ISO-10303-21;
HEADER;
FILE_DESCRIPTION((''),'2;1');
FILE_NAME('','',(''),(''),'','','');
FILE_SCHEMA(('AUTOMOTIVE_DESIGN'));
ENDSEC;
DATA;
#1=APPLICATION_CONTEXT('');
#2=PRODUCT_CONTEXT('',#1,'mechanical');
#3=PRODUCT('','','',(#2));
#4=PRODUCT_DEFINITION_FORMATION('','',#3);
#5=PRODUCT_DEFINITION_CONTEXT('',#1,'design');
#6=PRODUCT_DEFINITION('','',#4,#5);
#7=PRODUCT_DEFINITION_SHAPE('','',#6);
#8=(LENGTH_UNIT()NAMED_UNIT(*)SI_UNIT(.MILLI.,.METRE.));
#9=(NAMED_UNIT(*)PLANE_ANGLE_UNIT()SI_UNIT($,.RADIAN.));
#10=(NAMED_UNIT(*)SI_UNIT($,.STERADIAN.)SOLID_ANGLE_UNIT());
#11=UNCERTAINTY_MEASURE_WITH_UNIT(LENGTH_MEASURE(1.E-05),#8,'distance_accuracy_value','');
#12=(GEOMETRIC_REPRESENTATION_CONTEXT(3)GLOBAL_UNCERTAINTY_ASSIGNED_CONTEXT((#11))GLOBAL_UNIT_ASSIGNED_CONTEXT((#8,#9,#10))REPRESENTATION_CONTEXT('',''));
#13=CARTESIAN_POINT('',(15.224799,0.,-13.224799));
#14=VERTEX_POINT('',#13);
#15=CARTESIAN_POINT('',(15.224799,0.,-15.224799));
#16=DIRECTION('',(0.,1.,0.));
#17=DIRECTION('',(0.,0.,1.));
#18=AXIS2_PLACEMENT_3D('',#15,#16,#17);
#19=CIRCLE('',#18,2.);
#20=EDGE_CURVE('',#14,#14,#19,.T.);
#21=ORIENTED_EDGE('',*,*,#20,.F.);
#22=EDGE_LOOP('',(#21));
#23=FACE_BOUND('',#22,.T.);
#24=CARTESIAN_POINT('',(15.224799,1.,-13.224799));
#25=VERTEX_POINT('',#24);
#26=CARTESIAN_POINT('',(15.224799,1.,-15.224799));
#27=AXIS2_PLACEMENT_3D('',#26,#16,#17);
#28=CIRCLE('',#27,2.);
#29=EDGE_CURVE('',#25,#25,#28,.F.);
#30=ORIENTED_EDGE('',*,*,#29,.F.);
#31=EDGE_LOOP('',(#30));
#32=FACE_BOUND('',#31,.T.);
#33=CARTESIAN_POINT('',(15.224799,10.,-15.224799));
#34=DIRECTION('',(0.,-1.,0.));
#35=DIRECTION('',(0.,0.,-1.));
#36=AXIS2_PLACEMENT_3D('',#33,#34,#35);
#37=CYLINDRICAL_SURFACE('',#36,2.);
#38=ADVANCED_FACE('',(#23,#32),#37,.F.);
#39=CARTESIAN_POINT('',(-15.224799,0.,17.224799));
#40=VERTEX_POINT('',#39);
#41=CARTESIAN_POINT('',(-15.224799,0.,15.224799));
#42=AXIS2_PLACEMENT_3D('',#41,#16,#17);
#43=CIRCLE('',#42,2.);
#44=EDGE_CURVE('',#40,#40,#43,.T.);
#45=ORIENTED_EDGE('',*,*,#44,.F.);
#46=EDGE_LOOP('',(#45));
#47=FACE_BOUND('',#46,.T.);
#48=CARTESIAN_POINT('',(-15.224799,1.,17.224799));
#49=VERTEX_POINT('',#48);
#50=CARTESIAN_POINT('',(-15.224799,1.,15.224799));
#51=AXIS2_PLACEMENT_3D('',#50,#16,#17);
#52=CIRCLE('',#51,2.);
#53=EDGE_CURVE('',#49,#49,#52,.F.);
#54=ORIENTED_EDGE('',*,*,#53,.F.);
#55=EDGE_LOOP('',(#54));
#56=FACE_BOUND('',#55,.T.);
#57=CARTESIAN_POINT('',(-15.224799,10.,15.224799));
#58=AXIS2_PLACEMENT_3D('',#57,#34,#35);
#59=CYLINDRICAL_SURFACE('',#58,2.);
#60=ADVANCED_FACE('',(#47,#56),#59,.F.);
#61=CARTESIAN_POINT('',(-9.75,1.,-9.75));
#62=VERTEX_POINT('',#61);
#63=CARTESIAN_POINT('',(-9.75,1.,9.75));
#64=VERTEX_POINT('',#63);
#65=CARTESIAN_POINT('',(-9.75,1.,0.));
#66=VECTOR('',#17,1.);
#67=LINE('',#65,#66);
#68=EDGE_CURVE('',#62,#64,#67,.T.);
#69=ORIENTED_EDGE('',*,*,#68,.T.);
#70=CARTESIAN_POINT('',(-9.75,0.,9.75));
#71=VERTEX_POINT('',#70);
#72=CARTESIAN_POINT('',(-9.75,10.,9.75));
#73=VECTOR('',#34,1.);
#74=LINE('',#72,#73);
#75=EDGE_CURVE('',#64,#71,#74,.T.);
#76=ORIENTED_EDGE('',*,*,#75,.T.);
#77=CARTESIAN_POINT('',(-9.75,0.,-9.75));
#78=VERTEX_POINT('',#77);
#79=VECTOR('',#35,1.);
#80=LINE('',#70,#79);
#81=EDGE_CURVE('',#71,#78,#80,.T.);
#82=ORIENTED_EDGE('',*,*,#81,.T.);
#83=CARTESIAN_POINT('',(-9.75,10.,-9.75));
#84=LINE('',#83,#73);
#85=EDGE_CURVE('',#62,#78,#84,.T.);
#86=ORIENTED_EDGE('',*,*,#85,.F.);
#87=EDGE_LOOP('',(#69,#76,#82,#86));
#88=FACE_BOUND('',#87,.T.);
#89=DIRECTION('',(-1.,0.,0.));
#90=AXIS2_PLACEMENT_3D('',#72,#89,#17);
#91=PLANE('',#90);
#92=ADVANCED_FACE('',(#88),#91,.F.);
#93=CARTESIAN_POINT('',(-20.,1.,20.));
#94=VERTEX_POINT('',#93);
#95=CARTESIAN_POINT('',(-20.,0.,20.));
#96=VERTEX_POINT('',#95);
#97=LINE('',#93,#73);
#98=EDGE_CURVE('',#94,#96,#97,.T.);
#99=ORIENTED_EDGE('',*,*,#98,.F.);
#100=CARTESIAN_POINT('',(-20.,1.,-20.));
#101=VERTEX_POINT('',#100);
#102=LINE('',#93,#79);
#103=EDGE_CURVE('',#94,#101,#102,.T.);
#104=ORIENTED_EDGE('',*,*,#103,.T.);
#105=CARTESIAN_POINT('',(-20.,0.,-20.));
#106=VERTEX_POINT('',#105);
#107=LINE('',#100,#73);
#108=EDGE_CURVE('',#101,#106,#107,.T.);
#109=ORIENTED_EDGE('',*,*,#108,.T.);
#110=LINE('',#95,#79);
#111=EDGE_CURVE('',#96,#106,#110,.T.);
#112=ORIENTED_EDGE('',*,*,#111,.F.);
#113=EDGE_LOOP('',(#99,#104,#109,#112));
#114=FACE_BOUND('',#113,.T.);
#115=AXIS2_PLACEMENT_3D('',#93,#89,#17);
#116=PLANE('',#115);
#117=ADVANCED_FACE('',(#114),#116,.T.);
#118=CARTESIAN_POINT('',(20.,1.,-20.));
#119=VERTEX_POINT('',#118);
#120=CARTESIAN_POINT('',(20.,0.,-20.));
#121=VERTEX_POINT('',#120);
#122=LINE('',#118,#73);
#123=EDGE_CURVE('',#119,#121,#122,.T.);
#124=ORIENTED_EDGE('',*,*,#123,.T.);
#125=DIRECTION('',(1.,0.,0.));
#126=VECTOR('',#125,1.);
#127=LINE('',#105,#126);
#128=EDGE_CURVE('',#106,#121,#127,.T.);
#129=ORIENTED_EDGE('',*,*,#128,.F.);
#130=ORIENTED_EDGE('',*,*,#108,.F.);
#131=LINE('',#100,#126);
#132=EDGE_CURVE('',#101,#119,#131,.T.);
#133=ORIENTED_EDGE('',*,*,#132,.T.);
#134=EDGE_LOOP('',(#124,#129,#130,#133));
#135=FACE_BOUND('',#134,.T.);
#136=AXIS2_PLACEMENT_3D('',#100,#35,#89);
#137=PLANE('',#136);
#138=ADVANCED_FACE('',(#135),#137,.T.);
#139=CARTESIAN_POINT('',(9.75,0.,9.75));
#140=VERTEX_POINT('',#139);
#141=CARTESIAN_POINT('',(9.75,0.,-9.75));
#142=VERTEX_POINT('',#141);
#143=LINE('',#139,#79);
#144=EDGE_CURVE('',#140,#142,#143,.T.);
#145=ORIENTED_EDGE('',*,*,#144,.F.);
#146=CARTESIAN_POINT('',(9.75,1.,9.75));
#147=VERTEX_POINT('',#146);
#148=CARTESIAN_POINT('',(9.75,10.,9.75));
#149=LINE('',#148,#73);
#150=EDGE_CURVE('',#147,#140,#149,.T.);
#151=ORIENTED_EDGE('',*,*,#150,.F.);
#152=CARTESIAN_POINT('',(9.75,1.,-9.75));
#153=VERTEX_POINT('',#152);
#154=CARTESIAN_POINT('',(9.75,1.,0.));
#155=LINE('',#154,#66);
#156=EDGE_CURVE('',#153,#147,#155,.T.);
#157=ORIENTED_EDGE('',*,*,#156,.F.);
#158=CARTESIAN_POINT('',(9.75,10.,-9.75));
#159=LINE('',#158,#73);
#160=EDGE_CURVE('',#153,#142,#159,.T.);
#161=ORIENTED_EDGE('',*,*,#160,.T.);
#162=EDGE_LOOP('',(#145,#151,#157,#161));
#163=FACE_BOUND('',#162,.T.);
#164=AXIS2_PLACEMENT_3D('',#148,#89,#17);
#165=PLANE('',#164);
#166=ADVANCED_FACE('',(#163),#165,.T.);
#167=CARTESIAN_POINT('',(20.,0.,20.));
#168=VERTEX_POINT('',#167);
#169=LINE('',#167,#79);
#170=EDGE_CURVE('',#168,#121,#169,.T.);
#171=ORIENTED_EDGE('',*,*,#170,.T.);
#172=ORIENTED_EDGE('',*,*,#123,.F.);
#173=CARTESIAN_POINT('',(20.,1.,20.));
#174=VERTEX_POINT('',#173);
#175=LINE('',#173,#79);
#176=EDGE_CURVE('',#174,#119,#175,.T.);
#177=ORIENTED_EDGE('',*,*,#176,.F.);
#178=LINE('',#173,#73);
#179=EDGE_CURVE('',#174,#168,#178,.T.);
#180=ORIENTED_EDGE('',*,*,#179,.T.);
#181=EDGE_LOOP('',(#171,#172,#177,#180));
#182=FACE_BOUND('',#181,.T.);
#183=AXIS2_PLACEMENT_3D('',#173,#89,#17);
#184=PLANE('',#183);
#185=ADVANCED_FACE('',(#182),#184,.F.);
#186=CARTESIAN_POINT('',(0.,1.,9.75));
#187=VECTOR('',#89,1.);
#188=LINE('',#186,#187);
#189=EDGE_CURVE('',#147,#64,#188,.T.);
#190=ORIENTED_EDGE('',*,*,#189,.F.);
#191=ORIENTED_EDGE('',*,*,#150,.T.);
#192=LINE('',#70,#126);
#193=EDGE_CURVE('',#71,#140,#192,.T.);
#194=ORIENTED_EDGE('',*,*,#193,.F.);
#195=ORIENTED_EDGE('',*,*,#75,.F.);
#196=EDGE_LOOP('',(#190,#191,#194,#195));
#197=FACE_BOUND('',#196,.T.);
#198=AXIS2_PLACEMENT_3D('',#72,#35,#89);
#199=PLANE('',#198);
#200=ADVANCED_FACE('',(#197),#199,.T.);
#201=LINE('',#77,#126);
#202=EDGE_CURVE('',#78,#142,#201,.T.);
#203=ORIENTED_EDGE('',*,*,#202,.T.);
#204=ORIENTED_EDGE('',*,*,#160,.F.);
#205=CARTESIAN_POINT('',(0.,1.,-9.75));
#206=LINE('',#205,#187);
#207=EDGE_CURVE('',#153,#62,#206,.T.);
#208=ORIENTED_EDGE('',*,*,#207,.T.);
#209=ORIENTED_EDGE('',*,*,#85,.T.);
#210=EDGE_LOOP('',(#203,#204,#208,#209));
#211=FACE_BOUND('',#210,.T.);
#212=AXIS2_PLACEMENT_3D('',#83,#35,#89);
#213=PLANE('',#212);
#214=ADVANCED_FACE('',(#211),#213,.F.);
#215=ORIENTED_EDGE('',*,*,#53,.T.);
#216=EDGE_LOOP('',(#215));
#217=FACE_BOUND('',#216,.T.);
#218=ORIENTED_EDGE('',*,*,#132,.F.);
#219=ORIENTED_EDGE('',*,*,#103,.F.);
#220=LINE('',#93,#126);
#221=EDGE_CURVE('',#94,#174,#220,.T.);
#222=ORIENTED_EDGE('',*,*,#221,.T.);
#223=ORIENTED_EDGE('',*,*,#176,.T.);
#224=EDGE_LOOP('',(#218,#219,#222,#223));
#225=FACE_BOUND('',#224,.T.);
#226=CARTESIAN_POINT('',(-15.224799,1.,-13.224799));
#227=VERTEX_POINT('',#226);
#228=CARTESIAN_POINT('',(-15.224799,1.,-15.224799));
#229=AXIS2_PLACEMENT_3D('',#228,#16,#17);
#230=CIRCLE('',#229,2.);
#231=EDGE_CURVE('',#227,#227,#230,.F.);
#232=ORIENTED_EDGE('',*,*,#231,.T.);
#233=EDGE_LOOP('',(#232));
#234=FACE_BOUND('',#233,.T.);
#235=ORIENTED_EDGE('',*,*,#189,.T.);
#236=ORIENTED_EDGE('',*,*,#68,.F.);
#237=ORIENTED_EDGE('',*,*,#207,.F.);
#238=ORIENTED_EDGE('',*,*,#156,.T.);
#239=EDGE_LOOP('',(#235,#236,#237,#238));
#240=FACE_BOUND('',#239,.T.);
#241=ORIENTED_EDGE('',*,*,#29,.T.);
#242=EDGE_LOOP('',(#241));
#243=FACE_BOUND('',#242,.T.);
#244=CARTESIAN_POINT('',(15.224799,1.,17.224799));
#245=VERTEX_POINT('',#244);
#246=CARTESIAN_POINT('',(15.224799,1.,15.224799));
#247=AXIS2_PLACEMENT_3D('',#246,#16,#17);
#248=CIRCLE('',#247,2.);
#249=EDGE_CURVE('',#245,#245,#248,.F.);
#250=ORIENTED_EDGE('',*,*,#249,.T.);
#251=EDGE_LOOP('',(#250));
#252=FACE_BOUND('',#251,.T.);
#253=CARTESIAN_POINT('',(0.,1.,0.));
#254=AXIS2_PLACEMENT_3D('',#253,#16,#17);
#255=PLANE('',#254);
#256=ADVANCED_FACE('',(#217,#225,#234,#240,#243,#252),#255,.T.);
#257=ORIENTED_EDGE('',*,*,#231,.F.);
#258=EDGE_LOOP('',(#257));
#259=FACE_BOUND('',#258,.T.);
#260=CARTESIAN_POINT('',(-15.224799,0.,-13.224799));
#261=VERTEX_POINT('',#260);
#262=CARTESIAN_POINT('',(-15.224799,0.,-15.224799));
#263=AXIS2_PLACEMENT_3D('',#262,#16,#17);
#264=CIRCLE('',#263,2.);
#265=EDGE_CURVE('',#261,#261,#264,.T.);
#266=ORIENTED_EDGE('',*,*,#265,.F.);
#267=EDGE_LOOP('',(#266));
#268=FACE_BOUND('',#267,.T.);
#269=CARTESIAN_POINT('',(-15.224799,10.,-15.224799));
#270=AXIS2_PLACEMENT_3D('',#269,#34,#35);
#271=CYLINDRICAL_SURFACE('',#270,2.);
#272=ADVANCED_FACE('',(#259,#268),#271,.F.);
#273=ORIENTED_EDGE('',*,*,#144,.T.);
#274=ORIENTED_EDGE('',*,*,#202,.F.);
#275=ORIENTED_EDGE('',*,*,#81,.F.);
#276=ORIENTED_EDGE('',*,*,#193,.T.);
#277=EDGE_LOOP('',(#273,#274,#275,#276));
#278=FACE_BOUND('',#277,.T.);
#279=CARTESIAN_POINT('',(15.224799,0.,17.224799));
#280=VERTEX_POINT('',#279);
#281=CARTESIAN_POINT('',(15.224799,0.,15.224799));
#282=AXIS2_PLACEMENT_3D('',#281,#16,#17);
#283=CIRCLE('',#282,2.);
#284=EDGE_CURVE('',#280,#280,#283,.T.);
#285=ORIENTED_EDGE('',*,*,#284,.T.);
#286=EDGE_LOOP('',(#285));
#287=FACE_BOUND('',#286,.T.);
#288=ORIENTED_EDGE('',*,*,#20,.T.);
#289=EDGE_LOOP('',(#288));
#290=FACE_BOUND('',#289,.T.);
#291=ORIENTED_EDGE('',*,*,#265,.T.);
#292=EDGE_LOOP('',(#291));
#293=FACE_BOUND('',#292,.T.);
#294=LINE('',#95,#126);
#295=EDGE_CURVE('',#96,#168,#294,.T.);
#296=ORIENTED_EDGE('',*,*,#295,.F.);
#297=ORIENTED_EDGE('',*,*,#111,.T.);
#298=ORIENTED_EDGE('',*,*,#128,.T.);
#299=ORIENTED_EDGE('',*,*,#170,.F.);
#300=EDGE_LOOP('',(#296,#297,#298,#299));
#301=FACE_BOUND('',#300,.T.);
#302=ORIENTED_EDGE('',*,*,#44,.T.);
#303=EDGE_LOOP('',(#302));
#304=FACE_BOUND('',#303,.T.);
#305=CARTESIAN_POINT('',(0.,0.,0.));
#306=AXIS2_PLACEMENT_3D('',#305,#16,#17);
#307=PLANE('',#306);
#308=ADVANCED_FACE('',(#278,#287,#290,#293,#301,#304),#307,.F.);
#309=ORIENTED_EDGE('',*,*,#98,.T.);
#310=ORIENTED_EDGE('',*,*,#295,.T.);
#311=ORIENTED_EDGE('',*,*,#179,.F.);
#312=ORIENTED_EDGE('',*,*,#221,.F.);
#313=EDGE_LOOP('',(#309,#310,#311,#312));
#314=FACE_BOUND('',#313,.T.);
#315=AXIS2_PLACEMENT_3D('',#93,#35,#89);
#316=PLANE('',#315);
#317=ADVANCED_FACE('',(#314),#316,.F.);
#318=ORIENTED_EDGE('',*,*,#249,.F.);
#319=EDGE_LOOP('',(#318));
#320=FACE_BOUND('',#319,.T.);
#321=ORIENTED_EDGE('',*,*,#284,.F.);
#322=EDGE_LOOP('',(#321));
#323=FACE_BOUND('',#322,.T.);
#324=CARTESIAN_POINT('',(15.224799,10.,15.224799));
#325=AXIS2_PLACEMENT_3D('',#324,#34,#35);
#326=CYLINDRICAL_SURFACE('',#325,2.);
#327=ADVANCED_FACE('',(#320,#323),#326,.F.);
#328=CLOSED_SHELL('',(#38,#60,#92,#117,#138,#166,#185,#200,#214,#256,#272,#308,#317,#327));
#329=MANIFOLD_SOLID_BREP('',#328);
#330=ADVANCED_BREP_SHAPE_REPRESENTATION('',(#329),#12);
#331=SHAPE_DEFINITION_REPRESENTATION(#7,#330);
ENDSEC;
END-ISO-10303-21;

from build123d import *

# Parameters (mm, degrees)
SKETCH_2_W          = 40
SKETCH_2_H          = 40
EXTRUDE_2_DEPTH     = 1
SKETCH_3_R          = 2
CUT_EXTRUDE_2_DEPTH = 10
SKETCH_2_10_W       = 19.5
SKETCH_2_10_H       = 19.5
CUT_EXTRUDE_3_DEPTH = 10


with BuildPart() as part:
    # 草图2 → 凸台-拉伸2 (new body)
    with BuildSketch(Plane(origin=(0, 0, 0), x_dir=(1, 0, 0), z_dir=(0, 1, 0))):
        Rectangle(SKETCH_2_W, SKETCH_2_H)
    extrude(amount=EXTRUDE_2_DEPTH)

    # 草图3 → 切除-拉伸2 (cut)
    with BuildSketch(Plane(origin=(0, 0, 0), x_dir=(1, 0, 0), z_dir=(0, 1, 0))):
        with Locations((-15.224798987, -15.224798987)):
            Circle(SKETCH_3_R)
        with Locations((15.224798987, -15.224798987)):
            Circle(SKETCH_3_R)
        with Locations((15.224798987, 15.224798987)):
            Circle(SKETCH_3_R)
        with Locations((-15.224798987, 15.224798987)):
            Circle(SKETCH_3_R)
    extrude(amount=CUT_EXTRUDE_2_DEPTH, mode=Mode.SUBTRACT)

    # 草图2<10> → 切除-拉伸3 (cut)
    with BuildSketch(Plane(origin=(0, 0, 0), x_dir=(1, 0, 0), z_dir=(0, 1, 0))):
        Rectangle(SKETCH_2_10_W, SKETCH_2_10_H)
    extrude(amount=CUT_EXTRUDE_3_DEPTH, mode=Mode.SUBTRACT)


solid = part.part
